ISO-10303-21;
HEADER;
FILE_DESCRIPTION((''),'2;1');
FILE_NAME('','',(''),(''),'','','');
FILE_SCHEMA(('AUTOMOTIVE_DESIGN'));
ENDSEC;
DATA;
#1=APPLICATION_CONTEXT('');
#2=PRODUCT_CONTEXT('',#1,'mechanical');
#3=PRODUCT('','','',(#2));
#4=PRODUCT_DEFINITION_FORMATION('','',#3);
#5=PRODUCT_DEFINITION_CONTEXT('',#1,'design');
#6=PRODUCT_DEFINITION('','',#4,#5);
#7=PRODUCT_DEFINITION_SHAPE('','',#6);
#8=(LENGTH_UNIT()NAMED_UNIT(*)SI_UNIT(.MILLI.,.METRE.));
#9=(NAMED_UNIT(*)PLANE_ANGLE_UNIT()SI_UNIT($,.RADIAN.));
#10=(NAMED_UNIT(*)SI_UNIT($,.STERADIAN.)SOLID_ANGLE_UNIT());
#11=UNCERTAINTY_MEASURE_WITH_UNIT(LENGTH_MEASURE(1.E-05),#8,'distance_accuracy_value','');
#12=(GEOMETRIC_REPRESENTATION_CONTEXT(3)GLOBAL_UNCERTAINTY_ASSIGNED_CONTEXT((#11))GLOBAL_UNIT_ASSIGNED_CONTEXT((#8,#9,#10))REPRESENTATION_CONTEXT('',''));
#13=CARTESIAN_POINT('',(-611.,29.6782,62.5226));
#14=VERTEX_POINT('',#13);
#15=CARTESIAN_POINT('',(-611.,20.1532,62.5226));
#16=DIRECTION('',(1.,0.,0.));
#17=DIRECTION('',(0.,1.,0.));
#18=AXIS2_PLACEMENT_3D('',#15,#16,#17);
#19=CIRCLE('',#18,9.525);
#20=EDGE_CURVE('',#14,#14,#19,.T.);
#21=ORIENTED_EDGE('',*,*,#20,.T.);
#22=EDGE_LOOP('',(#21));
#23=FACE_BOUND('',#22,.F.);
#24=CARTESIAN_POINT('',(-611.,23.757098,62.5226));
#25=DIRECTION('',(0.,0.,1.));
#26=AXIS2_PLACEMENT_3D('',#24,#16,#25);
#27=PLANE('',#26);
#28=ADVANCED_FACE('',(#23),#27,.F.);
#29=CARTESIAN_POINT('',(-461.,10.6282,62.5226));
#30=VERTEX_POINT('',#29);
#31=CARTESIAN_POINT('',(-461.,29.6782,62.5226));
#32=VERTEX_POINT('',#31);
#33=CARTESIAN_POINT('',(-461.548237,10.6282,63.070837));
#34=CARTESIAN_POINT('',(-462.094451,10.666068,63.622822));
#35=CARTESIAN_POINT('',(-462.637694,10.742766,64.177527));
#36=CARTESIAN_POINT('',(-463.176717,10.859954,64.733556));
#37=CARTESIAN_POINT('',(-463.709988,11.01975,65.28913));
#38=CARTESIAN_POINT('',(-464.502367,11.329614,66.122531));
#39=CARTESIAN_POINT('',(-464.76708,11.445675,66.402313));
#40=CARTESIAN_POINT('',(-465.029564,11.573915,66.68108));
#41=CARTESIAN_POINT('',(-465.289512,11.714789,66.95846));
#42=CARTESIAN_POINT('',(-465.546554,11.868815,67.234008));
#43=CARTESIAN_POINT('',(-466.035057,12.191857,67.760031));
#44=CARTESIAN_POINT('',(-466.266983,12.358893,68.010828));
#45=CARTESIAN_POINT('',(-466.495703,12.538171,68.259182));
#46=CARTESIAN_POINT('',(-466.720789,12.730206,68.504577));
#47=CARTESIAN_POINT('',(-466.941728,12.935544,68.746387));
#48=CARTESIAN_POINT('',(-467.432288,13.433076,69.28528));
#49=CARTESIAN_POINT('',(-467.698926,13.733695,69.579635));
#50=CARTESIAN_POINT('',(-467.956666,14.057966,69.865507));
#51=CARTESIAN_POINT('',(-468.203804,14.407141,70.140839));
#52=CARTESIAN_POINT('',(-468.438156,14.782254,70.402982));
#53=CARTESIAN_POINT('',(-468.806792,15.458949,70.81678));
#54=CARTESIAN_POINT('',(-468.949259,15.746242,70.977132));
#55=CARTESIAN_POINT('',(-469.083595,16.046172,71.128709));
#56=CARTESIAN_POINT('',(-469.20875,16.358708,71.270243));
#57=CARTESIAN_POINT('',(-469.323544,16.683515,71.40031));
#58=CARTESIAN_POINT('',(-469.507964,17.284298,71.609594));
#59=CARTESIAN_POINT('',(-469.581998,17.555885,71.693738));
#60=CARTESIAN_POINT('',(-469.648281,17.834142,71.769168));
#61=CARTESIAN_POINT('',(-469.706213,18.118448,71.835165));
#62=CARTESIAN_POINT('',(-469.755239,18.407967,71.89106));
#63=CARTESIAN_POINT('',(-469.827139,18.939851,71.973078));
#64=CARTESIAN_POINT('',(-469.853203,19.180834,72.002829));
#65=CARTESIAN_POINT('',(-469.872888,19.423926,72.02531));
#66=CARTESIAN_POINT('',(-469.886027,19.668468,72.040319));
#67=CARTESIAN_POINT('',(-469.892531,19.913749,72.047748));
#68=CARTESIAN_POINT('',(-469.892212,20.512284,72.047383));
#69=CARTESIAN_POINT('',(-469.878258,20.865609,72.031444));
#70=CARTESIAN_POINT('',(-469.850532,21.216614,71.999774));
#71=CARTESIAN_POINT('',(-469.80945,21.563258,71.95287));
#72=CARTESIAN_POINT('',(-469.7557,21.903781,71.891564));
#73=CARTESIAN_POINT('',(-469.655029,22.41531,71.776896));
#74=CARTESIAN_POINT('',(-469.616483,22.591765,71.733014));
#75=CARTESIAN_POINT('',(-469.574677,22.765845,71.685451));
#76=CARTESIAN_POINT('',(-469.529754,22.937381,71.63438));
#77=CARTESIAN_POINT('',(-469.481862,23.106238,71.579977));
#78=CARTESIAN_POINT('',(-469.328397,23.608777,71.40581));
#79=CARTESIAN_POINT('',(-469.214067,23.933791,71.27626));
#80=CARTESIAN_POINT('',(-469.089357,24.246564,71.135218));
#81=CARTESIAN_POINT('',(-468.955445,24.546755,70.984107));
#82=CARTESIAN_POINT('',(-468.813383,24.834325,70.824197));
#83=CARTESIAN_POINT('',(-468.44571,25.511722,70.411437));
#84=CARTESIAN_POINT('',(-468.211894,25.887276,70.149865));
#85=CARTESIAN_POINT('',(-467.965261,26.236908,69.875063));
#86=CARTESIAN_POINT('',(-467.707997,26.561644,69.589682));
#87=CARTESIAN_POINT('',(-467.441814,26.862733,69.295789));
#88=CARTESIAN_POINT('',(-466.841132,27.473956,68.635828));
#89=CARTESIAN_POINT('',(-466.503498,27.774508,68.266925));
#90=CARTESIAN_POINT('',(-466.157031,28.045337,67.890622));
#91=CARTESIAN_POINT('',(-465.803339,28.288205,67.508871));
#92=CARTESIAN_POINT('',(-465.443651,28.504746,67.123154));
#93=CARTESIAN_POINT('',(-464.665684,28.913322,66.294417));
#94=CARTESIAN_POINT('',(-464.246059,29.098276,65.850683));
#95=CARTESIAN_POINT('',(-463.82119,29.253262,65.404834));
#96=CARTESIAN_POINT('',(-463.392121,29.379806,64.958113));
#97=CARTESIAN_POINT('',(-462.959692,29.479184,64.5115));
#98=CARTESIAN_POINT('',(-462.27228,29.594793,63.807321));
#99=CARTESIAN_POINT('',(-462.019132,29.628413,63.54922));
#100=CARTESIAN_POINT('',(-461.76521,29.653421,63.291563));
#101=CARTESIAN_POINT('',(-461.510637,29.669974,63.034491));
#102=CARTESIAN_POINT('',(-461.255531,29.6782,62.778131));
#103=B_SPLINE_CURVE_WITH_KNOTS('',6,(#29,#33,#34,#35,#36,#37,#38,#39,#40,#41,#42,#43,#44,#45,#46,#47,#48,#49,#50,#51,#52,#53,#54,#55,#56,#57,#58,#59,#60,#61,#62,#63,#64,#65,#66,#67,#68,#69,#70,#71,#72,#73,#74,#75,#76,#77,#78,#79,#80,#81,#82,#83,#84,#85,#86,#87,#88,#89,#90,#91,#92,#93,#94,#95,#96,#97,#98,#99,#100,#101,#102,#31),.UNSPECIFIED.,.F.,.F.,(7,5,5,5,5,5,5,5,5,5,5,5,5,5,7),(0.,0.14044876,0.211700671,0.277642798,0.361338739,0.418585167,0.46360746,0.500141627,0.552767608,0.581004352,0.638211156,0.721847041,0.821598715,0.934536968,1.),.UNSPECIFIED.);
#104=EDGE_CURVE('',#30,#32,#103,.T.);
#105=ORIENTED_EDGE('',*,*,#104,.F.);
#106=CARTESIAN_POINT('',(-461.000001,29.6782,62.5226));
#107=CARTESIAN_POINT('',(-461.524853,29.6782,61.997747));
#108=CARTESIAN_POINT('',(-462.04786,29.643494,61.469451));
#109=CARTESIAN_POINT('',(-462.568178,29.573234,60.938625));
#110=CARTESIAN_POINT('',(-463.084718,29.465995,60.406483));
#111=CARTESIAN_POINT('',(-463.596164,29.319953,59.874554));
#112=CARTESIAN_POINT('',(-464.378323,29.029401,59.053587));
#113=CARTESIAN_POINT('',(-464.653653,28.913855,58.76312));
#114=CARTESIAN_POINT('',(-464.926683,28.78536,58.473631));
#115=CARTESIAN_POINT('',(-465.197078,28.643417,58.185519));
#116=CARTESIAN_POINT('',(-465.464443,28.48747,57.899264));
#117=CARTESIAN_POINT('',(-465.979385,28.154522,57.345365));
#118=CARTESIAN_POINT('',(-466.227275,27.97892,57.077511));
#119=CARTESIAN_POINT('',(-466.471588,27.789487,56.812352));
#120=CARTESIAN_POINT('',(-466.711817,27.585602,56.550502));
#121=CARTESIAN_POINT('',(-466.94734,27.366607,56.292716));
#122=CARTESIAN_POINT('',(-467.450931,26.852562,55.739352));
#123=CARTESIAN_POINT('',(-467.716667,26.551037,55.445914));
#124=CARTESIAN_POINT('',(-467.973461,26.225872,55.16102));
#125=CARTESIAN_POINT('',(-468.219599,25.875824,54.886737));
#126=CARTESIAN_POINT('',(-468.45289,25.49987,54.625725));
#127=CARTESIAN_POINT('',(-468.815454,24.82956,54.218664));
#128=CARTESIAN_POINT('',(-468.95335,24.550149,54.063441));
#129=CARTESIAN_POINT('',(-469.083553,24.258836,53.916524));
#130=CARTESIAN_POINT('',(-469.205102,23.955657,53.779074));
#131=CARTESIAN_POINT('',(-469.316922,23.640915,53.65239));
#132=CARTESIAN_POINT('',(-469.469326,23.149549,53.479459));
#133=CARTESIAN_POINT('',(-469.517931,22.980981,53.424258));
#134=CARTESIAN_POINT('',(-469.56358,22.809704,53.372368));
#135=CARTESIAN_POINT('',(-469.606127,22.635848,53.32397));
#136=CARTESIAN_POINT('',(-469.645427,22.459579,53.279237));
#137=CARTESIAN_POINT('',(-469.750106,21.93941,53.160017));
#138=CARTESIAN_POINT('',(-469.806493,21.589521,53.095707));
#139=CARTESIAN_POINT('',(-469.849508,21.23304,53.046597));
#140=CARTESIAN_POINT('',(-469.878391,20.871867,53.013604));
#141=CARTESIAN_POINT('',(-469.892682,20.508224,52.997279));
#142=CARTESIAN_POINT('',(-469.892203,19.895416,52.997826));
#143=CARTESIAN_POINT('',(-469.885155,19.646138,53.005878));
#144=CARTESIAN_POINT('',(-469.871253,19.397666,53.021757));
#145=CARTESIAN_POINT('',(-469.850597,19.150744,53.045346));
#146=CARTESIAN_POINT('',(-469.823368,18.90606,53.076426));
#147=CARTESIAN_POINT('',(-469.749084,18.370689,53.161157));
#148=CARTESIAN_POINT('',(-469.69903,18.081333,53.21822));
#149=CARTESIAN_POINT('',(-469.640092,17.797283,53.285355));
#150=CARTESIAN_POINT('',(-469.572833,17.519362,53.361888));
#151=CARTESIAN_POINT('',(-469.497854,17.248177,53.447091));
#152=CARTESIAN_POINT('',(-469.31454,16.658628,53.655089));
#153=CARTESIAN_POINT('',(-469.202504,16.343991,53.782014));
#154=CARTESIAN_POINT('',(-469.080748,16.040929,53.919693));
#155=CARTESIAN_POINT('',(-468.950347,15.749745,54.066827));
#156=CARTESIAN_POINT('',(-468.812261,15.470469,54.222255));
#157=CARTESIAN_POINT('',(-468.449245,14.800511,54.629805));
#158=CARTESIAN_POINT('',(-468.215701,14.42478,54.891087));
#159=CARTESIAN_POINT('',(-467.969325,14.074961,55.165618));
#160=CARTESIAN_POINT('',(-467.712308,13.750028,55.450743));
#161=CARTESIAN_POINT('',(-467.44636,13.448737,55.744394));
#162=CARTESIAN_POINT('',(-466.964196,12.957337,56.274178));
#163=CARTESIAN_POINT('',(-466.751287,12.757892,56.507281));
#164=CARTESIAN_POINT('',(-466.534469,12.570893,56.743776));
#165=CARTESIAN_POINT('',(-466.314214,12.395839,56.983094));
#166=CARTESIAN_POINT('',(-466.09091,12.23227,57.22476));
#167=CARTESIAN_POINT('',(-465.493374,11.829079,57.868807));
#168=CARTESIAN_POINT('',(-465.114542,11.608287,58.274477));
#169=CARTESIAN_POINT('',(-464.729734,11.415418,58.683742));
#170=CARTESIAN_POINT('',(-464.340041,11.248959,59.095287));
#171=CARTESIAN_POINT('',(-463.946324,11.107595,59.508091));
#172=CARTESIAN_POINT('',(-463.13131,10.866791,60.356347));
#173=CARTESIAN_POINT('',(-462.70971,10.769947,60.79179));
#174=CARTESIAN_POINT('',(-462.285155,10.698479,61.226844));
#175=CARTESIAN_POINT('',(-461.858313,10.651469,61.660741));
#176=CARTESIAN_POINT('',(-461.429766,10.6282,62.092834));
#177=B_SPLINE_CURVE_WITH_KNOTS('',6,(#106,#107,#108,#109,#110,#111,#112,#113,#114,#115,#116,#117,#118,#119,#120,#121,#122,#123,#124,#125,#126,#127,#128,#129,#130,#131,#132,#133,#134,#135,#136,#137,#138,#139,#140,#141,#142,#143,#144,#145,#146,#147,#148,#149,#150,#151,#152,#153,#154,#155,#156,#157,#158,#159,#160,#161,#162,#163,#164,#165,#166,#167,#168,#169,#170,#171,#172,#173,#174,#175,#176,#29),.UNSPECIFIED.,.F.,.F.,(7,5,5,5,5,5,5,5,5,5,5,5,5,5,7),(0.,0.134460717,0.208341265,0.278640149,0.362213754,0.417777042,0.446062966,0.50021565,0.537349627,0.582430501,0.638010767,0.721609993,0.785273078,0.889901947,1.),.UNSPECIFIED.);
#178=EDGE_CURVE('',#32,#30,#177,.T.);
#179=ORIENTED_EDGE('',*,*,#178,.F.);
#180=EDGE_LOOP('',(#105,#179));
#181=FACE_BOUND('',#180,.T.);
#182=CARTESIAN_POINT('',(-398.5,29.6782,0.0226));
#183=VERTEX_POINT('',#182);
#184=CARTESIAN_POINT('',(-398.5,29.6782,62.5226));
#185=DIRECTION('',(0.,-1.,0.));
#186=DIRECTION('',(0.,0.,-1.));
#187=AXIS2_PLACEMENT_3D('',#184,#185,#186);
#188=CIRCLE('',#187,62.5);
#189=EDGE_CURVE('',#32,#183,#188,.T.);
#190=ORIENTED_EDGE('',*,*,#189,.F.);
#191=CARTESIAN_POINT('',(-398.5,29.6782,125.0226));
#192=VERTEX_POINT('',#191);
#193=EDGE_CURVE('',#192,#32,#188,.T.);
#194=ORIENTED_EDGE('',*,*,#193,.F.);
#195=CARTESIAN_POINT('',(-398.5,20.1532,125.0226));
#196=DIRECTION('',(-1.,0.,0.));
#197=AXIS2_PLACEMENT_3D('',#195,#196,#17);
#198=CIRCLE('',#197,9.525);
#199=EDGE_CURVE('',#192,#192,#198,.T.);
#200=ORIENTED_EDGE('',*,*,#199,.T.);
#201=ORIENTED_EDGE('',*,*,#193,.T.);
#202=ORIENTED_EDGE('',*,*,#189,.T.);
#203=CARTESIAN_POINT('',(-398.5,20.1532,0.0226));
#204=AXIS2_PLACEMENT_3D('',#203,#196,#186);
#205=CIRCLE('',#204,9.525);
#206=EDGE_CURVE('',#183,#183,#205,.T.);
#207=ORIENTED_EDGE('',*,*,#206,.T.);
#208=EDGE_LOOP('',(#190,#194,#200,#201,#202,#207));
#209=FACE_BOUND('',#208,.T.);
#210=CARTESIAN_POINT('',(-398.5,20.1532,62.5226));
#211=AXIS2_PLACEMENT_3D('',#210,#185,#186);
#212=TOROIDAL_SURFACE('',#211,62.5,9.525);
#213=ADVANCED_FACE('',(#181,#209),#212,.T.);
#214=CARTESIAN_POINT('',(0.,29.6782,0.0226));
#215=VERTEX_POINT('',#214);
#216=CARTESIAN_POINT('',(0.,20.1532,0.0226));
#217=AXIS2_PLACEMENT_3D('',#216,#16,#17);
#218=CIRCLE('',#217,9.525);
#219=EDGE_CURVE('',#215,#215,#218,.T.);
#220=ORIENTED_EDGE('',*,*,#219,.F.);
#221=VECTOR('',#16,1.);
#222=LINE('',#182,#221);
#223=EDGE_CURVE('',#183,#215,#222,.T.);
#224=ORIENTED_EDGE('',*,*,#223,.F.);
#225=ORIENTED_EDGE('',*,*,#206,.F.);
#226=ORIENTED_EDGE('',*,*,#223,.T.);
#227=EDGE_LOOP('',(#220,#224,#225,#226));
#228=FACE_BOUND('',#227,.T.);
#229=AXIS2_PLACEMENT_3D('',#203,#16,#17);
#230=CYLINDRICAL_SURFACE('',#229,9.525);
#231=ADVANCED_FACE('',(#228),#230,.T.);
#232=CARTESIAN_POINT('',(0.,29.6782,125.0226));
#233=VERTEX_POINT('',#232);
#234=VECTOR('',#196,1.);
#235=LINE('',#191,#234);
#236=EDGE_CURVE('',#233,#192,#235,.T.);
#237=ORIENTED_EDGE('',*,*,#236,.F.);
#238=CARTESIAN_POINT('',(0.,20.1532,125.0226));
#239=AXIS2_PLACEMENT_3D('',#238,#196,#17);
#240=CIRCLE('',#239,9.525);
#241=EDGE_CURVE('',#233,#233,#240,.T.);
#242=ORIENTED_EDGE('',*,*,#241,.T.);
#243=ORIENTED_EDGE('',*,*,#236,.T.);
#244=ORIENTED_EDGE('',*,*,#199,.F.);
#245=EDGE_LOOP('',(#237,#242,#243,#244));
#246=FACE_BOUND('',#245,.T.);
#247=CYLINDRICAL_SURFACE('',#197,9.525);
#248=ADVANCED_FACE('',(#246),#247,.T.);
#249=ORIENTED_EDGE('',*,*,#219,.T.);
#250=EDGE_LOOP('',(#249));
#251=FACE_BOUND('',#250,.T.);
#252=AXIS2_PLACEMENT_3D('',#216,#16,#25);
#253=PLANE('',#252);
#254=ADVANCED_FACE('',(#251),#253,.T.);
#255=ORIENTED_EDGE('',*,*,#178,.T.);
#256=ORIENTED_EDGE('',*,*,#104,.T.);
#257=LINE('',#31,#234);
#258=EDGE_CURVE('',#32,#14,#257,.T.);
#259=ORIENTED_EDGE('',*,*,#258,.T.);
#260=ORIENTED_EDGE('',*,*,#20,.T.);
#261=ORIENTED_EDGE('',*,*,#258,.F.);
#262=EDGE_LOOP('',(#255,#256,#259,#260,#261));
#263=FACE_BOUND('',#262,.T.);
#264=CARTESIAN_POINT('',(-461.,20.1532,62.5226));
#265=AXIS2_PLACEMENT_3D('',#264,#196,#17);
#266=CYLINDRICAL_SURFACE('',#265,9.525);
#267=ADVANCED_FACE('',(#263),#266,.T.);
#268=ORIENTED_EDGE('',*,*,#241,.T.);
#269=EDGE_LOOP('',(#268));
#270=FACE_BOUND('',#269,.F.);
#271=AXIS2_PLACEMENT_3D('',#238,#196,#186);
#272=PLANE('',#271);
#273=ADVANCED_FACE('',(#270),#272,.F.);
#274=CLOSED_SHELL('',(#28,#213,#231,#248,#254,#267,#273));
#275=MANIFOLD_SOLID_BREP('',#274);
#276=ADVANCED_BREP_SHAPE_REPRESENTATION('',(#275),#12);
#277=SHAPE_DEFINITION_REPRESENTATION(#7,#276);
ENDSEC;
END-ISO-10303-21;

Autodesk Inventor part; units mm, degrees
ref_plane "XZ Plane" through (0, 0, 0) normal (0, 1, 0) x (-1, 0, 0)
ref_plane "XY Plane" through (0, 0, 0) normal (0, 0, 1) x (1, 0, 0)
sketch "Sketch4" plane through (0, 0, 0) normal (1, 0, 0) x (0, 1, 0)
  circle A0 centre (20.1532, 0.0226) radius 9.525
  circle A1 centre (20.1532, 0.0226) radius 9.525
  dimension "d10" = 19.05
  dimension "d21" = 19.05
sketch "Sketch5" plane through (0, 0, 0) normal (0, 1, 0) x (-1, 0, 0)
  line L0 (0, 9.5476) -> (0, -9.5024) projected
  line L1 (398.5, 0.0226) -> (0, 0.0226)
  arc A0 (398.5, 0.0226) -> (398.5, 125.0226) centre (398.5, 62.5226) ccw
  line L2 (398.5, 62.5226) -> (398.5, 125.0226) construction
  line L3 (398.5, 62.5226) -> (398.5, 0.0226) construction
  line L4 (398.5, 125.0226) -> (0, 125.0226)
  line L5 (461, 62.5226) -> (611, 62.5226)
  dimension "d14" = 398.5
  dimension "d15" = 125
  dimension "d18" = 150
sweep "Sweep4" add profiles "Sketch4" path "Sketch5" path curves L1 A0 L4
ref_plane "Work Plane1" through (-461.6, 0, 0) normal (1, 0, 0) x (0, 1, 0)
sketch "Sketch8" plane through (-461.6, 0, 0) normal (1, 0, 0) x (0, 1, 0)
  circle A0 centre (20.1532, 125.0226) radius 9.525 projected
  circle A1 centre (20.1532, 0.0226) radius 9.525 projected
  line L0 (20.1532, 125.0226) -> (20.1532, 0.0226)
  circle A2 centre (20.1532, 62.5226) radius 9.525
  dimension "d24" = 19.05
sweep "Sweep5" add profiles "Sketch8" path "Sketch5" path curves L5 contours A2 L0 | L0 A2
properties part number "Y_ancla"
